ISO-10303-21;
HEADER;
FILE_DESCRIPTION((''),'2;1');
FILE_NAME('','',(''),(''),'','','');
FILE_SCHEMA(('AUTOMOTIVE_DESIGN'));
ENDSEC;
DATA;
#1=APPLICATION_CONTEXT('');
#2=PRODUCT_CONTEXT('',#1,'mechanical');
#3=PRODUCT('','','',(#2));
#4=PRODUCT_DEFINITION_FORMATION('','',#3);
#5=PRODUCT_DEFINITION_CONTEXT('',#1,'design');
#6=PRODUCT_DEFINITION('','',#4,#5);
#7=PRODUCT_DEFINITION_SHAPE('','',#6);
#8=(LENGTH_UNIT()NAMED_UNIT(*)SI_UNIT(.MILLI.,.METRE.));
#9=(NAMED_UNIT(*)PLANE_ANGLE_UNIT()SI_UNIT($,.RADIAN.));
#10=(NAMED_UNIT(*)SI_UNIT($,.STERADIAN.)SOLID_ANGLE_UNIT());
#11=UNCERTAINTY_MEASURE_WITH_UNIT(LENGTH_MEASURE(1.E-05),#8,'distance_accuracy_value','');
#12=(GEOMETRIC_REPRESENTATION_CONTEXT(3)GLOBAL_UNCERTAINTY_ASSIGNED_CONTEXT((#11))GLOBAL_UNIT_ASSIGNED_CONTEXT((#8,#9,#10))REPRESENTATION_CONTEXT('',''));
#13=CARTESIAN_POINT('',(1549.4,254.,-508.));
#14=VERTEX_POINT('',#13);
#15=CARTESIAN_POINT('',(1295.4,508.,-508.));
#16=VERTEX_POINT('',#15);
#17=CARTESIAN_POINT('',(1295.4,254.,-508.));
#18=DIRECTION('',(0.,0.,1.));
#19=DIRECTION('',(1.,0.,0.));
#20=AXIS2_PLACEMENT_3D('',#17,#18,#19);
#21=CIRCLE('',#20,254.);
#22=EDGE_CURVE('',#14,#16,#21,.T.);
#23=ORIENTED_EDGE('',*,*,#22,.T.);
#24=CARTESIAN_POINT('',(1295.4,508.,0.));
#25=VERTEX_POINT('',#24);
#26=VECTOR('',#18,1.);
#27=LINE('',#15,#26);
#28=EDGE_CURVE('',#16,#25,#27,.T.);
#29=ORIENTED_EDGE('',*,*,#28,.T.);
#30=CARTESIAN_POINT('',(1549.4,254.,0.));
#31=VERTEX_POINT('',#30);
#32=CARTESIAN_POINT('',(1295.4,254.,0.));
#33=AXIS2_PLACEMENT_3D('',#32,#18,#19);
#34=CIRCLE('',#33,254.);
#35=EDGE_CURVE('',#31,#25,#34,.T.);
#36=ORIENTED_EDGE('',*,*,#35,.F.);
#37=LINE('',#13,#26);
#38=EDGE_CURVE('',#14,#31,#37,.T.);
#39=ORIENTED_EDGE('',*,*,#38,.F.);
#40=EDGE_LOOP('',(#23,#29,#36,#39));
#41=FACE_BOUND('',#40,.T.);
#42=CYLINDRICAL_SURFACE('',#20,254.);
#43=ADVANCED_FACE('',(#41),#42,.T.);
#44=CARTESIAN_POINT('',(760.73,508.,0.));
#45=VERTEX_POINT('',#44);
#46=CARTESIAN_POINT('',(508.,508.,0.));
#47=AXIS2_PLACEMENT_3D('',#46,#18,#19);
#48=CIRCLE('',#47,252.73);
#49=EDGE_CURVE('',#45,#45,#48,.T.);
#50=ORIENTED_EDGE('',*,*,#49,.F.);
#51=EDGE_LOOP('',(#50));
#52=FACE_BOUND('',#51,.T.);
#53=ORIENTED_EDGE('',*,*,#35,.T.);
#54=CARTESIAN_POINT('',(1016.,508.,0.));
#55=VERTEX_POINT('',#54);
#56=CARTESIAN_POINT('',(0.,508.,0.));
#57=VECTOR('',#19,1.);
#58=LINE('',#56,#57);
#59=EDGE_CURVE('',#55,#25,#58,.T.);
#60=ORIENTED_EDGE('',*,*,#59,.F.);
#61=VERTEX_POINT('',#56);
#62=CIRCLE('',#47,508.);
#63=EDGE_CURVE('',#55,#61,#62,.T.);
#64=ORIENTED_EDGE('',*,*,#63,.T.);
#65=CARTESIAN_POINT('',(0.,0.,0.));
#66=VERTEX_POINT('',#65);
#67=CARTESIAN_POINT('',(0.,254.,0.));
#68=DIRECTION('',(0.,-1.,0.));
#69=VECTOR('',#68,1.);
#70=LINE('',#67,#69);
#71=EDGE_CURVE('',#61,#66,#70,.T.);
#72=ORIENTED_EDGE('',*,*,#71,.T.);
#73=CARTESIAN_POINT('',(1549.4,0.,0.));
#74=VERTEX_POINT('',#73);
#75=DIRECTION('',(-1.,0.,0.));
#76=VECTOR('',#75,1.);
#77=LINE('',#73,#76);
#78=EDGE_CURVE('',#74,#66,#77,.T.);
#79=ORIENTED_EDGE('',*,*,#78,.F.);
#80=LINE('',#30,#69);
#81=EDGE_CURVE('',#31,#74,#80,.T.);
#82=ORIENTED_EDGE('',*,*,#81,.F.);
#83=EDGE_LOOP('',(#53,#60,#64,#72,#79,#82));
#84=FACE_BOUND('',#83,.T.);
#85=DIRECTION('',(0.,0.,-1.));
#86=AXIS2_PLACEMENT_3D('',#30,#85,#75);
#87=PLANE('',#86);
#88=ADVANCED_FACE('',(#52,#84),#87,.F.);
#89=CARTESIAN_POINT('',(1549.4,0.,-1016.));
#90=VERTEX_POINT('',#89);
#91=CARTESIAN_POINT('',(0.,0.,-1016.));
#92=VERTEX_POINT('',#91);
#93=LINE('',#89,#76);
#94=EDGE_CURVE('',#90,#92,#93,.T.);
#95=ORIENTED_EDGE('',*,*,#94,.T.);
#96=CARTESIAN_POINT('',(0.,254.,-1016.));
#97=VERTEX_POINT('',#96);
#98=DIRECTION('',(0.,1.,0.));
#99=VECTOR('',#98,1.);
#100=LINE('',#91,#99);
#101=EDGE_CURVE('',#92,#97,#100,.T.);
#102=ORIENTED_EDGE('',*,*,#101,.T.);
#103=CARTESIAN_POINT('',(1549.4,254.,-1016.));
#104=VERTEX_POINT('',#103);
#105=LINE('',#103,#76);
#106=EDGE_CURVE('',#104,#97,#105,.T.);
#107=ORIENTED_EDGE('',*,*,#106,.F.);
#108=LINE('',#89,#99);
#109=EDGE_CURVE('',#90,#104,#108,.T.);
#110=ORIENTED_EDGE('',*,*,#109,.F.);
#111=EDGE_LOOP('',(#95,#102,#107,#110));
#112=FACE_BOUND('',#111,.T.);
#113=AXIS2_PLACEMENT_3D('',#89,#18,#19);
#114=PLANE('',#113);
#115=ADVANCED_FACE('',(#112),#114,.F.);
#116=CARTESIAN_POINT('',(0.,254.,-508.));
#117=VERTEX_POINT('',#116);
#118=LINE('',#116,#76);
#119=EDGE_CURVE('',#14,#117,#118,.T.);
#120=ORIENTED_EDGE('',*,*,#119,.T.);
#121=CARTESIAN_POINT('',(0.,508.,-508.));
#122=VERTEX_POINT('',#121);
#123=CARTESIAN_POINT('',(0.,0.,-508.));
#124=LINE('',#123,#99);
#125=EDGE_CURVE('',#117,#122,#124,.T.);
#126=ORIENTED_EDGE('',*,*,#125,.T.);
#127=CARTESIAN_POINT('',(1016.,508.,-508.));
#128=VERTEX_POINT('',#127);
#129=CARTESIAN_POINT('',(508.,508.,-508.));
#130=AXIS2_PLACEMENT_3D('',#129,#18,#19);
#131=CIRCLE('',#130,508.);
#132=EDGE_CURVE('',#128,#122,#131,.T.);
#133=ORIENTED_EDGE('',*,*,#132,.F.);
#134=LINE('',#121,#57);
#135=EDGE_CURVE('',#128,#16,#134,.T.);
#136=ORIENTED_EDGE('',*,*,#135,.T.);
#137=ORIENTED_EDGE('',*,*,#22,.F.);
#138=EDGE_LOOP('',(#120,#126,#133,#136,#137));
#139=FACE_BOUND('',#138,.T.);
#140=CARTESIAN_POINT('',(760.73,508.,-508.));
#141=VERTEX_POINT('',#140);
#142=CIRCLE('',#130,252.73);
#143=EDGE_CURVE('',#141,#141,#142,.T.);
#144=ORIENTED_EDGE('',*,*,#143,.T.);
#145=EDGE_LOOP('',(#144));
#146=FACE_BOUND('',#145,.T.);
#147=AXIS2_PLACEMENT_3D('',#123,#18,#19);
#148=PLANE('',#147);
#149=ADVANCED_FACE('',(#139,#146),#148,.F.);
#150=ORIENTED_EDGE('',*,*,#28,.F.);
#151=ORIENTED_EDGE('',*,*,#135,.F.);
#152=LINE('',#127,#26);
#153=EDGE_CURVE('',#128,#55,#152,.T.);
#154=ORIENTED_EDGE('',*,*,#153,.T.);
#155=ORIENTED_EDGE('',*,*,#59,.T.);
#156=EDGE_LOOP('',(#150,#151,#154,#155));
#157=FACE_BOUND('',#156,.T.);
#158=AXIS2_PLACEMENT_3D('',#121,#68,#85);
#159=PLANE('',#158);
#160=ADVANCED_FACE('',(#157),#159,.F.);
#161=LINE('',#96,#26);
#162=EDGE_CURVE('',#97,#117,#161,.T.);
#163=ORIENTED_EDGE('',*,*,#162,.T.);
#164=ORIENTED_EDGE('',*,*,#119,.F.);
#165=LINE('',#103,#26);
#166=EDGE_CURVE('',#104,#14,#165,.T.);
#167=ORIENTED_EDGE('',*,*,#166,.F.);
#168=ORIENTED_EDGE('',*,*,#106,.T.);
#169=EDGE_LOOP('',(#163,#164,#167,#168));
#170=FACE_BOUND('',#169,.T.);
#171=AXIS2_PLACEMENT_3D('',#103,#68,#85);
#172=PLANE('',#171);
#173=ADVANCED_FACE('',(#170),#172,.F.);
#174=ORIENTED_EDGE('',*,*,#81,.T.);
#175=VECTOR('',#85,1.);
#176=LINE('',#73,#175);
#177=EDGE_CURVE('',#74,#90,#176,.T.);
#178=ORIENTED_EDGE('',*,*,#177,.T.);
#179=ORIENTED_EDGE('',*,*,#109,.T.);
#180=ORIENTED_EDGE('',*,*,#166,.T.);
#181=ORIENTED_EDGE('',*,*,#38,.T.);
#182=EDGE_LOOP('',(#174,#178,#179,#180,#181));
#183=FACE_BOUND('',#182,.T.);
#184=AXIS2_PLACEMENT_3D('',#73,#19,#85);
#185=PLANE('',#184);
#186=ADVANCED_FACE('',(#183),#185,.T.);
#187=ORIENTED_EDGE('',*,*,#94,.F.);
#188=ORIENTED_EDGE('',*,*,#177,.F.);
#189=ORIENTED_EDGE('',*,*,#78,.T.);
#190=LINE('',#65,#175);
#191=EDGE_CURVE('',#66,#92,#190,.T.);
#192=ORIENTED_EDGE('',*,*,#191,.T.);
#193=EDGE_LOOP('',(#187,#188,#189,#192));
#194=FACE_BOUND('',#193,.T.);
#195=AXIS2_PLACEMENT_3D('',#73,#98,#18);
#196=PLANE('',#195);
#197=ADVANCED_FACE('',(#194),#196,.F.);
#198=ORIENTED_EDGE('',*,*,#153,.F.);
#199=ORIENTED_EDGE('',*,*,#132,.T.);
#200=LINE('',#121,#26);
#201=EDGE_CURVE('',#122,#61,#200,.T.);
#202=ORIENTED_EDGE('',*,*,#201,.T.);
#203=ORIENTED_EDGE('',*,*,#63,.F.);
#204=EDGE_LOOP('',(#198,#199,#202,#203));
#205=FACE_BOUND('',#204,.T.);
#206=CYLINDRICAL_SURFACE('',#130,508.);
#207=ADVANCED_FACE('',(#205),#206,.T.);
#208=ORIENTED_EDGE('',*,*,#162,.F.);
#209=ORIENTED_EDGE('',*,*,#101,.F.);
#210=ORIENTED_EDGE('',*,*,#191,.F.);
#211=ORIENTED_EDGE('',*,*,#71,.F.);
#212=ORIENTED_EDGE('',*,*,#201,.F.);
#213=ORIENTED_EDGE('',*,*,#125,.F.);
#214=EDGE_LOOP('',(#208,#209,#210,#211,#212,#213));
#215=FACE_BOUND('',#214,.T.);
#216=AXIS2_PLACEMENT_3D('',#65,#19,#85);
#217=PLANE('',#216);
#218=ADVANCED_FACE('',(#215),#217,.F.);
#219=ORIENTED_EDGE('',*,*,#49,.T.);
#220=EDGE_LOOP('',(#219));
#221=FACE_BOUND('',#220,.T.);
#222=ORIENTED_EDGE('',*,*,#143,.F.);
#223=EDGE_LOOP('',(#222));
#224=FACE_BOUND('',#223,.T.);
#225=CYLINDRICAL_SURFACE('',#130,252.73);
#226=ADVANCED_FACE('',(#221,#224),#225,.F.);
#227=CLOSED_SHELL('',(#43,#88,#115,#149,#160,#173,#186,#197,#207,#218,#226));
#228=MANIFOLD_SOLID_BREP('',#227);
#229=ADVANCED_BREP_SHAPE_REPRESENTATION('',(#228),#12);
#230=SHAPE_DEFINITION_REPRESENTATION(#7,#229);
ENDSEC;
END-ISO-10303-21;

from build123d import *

# Parameters (mm, degrees)
SKETCH1_W           = 1016
SKETCH1_H           = 254
BOSS_EXTRUDE1_DEPTH = 1549.4
SKETCH2_R           = 252.73
BOSS_EXTRUDE2_DEPTH = 508


with BuildPart() as part:
    # Sketch1 → Boss-Extrude1 (new body)
    with BuildSketch(Plane(origin=(0, 0, 0), x_dir=(0, 0, -1), z_dir=(1, 0, 0))):
        with Locations((508, 127)):
            Rectangle(SKETCH1_W, SKETCH1_H)
    extrude(amount=BOSS_EXTRUDE1_DEPTH)

    # Sketch2 → Boss-Extrude2 (add)
    with BuildSketch(Plane.XY):
        with BuildLine():
            Line((0, 508), (0, 254))
            Line((0, 254), (1549.4, 254))
            ThreePointArc((1549.4, 254), (1475.005122421, 433.605122421), (1295.4, 508))
            Line((1295.4, 508), (1016, 508))
            ThreePointArc((1016, 508), (508, 1016), (0, 508))
        make_face()
        with Locations((508, 508)):
            Circle(SKETCH2_R, mode=Mode.SUBTRACT)
    extrude(amount=-BOSS_EXTRUDE2_DEPTH)


solid = part.part
